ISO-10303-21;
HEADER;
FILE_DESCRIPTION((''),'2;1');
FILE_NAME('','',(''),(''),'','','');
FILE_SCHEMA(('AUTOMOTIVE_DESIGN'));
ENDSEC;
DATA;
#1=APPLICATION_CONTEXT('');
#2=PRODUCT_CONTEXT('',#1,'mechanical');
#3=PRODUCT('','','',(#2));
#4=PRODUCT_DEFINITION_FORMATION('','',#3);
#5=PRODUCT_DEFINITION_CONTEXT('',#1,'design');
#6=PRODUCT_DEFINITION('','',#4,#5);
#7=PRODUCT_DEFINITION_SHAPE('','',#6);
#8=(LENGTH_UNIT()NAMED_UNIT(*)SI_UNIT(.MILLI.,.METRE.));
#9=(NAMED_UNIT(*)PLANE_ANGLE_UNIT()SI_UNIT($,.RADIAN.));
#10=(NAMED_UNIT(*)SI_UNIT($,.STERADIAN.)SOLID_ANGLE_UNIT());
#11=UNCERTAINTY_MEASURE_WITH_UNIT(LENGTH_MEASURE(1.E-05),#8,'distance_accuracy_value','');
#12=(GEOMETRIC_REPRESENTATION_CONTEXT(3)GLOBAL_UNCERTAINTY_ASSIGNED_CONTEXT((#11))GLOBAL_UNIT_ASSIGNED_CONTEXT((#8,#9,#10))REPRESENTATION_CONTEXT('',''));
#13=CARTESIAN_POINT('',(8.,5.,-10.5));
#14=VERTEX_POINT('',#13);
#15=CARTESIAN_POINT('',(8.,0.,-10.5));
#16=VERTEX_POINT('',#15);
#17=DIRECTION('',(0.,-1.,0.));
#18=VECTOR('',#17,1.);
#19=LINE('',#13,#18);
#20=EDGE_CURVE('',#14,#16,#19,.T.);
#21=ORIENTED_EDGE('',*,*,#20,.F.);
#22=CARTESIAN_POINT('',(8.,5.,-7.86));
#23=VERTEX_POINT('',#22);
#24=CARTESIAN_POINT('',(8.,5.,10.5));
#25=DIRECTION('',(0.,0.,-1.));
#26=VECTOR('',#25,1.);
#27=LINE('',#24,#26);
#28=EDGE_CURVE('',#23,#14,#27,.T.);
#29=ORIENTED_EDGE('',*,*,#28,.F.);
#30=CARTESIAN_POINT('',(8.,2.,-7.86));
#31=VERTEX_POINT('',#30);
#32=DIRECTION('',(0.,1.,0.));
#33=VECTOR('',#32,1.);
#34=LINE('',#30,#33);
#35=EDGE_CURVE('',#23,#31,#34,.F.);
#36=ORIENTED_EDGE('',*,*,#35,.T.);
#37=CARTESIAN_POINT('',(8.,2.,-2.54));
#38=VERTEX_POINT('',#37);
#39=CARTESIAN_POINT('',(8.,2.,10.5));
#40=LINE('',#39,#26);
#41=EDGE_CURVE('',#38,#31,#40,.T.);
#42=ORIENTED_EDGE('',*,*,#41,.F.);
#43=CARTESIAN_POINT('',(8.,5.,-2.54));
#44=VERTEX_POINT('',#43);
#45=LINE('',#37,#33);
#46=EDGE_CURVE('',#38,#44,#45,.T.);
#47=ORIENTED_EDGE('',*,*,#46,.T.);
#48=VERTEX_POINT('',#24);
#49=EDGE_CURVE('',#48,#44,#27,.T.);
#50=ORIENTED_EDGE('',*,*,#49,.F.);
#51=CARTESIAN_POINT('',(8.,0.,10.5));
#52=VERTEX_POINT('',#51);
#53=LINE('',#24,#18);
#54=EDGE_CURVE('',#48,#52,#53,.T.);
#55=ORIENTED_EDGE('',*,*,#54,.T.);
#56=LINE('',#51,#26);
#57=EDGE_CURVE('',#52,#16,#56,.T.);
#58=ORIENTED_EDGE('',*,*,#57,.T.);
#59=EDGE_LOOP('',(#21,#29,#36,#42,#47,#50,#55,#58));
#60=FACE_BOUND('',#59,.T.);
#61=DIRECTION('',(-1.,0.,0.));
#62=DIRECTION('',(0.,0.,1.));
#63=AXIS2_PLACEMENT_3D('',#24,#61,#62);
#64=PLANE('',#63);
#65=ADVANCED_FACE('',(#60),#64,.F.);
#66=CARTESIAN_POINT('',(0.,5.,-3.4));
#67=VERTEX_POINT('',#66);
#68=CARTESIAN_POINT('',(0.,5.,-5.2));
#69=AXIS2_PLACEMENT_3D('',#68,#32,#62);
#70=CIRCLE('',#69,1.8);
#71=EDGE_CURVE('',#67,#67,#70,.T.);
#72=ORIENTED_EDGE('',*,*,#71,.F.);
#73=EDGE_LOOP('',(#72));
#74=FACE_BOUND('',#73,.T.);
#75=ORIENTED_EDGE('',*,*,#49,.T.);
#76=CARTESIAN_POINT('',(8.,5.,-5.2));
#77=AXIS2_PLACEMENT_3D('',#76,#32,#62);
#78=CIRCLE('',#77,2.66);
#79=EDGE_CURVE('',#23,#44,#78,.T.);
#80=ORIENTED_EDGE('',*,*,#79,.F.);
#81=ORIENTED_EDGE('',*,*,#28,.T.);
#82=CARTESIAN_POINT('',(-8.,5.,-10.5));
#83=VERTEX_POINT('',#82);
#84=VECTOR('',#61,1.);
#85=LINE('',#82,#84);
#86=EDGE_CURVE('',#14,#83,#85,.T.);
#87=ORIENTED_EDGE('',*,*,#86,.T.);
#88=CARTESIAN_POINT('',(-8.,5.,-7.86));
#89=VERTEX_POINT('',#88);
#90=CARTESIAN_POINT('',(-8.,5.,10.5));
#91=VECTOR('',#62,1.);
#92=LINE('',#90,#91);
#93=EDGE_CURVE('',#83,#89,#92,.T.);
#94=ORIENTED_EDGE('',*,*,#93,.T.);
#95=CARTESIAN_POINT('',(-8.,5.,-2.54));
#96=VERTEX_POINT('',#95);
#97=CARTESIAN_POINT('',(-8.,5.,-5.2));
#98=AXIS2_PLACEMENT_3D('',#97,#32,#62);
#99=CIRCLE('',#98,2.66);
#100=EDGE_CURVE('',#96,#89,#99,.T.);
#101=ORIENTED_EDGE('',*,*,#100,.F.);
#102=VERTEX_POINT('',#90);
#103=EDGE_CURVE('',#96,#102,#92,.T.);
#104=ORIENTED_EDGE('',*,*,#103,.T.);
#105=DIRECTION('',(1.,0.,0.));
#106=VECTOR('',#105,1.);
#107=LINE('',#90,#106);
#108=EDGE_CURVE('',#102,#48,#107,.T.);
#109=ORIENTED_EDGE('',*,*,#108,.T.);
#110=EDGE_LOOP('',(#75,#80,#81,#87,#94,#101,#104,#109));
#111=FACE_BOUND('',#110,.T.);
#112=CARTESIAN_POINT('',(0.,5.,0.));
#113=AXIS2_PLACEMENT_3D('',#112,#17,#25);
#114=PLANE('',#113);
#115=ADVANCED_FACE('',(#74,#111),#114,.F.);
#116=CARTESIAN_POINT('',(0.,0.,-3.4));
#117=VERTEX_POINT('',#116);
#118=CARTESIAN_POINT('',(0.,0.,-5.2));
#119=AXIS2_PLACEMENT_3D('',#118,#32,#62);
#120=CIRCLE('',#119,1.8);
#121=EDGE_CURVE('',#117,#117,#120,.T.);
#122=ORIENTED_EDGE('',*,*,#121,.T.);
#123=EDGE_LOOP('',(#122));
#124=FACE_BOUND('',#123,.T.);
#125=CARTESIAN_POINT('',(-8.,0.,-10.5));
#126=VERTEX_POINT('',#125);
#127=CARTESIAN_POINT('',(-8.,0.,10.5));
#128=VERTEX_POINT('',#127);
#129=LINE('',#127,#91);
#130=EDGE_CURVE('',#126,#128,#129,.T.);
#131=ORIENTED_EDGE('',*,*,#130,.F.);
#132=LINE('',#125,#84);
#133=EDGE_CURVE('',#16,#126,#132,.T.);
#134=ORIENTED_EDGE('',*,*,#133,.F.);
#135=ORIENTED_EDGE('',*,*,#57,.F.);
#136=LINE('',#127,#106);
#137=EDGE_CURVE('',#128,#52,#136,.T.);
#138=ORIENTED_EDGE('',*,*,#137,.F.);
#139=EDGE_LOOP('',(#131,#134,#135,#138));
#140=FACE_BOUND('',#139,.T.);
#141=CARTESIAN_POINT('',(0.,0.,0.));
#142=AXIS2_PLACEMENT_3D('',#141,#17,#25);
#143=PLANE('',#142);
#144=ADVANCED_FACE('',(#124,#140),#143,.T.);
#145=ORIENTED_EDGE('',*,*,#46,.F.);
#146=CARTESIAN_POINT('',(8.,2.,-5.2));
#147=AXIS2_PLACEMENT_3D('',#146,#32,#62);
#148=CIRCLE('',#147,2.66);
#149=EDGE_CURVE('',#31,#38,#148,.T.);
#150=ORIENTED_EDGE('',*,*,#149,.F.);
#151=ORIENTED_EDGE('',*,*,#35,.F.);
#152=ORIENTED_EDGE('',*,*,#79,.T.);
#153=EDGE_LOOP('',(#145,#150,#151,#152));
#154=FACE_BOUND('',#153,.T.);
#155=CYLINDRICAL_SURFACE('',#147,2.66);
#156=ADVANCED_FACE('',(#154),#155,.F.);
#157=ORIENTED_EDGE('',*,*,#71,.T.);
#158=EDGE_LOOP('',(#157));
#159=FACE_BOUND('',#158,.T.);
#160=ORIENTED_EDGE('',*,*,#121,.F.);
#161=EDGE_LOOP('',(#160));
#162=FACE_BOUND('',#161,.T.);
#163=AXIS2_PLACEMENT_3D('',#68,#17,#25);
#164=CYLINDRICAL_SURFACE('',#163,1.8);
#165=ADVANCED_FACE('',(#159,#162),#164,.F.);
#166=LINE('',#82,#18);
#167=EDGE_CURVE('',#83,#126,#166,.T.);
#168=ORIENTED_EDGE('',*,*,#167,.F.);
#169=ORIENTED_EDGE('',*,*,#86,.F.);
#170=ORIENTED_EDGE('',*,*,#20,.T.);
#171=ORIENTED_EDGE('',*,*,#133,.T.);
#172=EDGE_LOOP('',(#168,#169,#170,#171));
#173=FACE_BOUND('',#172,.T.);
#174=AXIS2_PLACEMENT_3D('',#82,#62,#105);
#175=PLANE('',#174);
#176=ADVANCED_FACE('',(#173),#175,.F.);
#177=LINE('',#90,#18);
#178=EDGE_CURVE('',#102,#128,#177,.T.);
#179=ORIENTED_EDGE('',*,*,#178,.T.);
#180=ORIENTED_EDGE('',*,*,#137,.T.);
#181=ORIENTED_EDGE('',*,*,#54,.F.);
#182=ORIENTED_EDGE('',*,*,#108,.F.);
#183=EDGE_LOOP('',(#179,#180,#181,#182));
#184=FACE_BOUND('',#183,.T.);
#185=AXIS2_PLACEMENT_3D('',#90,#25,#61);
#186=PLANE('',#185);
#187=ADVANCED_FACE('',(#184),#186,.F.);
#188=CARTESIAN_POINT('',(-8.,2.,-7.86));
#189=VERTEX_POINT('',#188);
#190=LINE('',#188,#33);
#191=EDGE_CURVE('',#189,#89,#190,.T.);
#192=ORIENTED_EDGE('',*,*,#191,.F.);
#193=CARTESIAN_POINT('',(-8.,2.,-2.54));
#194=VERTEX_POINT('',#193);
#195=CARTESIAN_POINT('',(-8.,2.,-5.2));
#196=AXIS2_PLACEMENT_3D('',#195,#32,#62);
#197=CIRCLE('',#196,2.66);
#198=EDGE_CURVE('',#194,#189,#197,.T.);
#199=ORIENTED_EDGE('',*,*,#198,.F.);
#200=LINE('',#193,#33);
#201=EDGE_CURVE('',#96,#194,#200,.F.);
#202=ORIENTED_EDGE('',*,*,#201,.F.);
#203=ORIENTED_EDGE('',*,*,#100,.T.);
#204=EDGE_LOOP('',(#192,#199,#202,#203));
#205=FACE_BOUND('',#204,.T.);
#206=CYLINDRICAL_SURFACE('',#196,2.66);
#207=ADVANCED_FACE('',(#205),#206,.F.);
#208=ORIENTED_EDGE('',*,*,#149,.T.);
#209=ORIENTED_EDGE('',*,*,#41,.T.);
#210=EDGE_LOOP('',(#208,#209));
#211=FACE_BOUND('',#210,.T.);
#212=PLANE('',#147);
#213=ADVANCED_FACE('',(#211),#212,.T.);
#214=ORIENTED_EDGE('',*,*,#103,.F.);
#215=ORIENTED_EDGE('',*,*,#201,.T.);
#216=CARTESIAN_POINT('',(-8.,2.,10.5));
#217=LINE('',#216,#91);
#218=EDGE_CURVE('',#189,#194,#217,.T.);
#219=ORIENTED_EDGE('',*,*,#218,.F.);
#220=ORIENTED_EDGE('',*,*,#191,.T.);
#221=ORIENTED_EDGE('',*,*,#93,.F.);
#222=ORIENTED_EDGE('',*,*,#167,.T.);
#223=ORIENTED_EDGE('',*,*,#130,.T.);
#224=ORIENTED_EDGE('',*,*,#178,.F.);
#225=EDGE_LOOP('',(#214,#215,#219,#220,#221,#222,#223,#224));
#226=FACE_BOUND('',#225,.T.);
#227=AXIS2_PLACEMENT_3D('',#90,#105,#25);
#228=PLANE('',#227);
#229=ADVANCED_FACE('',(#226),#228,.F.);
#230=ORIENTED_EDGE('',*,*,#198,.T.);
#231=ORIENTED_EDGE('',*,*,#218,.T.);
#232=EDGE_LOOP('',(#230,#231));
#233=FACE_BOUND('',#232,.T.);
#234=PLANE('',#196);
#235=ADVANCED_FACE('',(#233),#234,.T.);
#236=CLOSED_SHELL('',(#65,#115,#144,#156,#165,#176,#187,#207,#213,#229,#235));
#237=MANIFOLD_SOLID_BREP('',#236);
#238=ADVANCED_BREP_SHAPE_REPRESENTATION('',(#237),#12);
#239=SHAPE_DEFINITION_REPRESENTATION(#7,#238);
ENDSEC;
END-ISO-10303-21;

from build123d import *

# Parameters (mm, degrees)
SKETCH1_W           = 16
SKETCH1_H           = 21
SKETCH1_R           = 1.8
BOSS_EXTRUDE2_DEPTH = 5
SKETCH2_R           = 2.66
CUT_EXTRUDE1_DEPTH  = 3


with BuildPart() as part:
    # Sketch1 → Boss-Extrude2 (new body)
    with BuildSketch(Plane(origin=(0, 0, 0), x_dir=(1, 0, 0), z_dir=(0, 1, 0))):
        Rectangle(SKETCH1_W, SKETCH1_H)
        with Locations(Location((0, 5.2, 0), (0, 0, 270))):
            Circle(SKETCH1_R, mode=Mode.SUBTRACT)
    extrude(amount=BOSS_EXTRUDE2_DEPTH)

    # Sketch2 → Cut-Extrude1 (cut)
    with BuildSketch(Plane(origin=(0, 5, 0), x_dir=(1, 0, 0), z_dir=(0, 1, 0))):
        with Locations((-8, 5.2)):
            Circle(SKETCH2_R)
        with Locations((8, 5.2)):
            Circle(SKETCH2_R)
    extrude(amount=-CUT_EXTRUDE1_DEPTH, mode=Mode.SUBTRACT)


solid = part.part
